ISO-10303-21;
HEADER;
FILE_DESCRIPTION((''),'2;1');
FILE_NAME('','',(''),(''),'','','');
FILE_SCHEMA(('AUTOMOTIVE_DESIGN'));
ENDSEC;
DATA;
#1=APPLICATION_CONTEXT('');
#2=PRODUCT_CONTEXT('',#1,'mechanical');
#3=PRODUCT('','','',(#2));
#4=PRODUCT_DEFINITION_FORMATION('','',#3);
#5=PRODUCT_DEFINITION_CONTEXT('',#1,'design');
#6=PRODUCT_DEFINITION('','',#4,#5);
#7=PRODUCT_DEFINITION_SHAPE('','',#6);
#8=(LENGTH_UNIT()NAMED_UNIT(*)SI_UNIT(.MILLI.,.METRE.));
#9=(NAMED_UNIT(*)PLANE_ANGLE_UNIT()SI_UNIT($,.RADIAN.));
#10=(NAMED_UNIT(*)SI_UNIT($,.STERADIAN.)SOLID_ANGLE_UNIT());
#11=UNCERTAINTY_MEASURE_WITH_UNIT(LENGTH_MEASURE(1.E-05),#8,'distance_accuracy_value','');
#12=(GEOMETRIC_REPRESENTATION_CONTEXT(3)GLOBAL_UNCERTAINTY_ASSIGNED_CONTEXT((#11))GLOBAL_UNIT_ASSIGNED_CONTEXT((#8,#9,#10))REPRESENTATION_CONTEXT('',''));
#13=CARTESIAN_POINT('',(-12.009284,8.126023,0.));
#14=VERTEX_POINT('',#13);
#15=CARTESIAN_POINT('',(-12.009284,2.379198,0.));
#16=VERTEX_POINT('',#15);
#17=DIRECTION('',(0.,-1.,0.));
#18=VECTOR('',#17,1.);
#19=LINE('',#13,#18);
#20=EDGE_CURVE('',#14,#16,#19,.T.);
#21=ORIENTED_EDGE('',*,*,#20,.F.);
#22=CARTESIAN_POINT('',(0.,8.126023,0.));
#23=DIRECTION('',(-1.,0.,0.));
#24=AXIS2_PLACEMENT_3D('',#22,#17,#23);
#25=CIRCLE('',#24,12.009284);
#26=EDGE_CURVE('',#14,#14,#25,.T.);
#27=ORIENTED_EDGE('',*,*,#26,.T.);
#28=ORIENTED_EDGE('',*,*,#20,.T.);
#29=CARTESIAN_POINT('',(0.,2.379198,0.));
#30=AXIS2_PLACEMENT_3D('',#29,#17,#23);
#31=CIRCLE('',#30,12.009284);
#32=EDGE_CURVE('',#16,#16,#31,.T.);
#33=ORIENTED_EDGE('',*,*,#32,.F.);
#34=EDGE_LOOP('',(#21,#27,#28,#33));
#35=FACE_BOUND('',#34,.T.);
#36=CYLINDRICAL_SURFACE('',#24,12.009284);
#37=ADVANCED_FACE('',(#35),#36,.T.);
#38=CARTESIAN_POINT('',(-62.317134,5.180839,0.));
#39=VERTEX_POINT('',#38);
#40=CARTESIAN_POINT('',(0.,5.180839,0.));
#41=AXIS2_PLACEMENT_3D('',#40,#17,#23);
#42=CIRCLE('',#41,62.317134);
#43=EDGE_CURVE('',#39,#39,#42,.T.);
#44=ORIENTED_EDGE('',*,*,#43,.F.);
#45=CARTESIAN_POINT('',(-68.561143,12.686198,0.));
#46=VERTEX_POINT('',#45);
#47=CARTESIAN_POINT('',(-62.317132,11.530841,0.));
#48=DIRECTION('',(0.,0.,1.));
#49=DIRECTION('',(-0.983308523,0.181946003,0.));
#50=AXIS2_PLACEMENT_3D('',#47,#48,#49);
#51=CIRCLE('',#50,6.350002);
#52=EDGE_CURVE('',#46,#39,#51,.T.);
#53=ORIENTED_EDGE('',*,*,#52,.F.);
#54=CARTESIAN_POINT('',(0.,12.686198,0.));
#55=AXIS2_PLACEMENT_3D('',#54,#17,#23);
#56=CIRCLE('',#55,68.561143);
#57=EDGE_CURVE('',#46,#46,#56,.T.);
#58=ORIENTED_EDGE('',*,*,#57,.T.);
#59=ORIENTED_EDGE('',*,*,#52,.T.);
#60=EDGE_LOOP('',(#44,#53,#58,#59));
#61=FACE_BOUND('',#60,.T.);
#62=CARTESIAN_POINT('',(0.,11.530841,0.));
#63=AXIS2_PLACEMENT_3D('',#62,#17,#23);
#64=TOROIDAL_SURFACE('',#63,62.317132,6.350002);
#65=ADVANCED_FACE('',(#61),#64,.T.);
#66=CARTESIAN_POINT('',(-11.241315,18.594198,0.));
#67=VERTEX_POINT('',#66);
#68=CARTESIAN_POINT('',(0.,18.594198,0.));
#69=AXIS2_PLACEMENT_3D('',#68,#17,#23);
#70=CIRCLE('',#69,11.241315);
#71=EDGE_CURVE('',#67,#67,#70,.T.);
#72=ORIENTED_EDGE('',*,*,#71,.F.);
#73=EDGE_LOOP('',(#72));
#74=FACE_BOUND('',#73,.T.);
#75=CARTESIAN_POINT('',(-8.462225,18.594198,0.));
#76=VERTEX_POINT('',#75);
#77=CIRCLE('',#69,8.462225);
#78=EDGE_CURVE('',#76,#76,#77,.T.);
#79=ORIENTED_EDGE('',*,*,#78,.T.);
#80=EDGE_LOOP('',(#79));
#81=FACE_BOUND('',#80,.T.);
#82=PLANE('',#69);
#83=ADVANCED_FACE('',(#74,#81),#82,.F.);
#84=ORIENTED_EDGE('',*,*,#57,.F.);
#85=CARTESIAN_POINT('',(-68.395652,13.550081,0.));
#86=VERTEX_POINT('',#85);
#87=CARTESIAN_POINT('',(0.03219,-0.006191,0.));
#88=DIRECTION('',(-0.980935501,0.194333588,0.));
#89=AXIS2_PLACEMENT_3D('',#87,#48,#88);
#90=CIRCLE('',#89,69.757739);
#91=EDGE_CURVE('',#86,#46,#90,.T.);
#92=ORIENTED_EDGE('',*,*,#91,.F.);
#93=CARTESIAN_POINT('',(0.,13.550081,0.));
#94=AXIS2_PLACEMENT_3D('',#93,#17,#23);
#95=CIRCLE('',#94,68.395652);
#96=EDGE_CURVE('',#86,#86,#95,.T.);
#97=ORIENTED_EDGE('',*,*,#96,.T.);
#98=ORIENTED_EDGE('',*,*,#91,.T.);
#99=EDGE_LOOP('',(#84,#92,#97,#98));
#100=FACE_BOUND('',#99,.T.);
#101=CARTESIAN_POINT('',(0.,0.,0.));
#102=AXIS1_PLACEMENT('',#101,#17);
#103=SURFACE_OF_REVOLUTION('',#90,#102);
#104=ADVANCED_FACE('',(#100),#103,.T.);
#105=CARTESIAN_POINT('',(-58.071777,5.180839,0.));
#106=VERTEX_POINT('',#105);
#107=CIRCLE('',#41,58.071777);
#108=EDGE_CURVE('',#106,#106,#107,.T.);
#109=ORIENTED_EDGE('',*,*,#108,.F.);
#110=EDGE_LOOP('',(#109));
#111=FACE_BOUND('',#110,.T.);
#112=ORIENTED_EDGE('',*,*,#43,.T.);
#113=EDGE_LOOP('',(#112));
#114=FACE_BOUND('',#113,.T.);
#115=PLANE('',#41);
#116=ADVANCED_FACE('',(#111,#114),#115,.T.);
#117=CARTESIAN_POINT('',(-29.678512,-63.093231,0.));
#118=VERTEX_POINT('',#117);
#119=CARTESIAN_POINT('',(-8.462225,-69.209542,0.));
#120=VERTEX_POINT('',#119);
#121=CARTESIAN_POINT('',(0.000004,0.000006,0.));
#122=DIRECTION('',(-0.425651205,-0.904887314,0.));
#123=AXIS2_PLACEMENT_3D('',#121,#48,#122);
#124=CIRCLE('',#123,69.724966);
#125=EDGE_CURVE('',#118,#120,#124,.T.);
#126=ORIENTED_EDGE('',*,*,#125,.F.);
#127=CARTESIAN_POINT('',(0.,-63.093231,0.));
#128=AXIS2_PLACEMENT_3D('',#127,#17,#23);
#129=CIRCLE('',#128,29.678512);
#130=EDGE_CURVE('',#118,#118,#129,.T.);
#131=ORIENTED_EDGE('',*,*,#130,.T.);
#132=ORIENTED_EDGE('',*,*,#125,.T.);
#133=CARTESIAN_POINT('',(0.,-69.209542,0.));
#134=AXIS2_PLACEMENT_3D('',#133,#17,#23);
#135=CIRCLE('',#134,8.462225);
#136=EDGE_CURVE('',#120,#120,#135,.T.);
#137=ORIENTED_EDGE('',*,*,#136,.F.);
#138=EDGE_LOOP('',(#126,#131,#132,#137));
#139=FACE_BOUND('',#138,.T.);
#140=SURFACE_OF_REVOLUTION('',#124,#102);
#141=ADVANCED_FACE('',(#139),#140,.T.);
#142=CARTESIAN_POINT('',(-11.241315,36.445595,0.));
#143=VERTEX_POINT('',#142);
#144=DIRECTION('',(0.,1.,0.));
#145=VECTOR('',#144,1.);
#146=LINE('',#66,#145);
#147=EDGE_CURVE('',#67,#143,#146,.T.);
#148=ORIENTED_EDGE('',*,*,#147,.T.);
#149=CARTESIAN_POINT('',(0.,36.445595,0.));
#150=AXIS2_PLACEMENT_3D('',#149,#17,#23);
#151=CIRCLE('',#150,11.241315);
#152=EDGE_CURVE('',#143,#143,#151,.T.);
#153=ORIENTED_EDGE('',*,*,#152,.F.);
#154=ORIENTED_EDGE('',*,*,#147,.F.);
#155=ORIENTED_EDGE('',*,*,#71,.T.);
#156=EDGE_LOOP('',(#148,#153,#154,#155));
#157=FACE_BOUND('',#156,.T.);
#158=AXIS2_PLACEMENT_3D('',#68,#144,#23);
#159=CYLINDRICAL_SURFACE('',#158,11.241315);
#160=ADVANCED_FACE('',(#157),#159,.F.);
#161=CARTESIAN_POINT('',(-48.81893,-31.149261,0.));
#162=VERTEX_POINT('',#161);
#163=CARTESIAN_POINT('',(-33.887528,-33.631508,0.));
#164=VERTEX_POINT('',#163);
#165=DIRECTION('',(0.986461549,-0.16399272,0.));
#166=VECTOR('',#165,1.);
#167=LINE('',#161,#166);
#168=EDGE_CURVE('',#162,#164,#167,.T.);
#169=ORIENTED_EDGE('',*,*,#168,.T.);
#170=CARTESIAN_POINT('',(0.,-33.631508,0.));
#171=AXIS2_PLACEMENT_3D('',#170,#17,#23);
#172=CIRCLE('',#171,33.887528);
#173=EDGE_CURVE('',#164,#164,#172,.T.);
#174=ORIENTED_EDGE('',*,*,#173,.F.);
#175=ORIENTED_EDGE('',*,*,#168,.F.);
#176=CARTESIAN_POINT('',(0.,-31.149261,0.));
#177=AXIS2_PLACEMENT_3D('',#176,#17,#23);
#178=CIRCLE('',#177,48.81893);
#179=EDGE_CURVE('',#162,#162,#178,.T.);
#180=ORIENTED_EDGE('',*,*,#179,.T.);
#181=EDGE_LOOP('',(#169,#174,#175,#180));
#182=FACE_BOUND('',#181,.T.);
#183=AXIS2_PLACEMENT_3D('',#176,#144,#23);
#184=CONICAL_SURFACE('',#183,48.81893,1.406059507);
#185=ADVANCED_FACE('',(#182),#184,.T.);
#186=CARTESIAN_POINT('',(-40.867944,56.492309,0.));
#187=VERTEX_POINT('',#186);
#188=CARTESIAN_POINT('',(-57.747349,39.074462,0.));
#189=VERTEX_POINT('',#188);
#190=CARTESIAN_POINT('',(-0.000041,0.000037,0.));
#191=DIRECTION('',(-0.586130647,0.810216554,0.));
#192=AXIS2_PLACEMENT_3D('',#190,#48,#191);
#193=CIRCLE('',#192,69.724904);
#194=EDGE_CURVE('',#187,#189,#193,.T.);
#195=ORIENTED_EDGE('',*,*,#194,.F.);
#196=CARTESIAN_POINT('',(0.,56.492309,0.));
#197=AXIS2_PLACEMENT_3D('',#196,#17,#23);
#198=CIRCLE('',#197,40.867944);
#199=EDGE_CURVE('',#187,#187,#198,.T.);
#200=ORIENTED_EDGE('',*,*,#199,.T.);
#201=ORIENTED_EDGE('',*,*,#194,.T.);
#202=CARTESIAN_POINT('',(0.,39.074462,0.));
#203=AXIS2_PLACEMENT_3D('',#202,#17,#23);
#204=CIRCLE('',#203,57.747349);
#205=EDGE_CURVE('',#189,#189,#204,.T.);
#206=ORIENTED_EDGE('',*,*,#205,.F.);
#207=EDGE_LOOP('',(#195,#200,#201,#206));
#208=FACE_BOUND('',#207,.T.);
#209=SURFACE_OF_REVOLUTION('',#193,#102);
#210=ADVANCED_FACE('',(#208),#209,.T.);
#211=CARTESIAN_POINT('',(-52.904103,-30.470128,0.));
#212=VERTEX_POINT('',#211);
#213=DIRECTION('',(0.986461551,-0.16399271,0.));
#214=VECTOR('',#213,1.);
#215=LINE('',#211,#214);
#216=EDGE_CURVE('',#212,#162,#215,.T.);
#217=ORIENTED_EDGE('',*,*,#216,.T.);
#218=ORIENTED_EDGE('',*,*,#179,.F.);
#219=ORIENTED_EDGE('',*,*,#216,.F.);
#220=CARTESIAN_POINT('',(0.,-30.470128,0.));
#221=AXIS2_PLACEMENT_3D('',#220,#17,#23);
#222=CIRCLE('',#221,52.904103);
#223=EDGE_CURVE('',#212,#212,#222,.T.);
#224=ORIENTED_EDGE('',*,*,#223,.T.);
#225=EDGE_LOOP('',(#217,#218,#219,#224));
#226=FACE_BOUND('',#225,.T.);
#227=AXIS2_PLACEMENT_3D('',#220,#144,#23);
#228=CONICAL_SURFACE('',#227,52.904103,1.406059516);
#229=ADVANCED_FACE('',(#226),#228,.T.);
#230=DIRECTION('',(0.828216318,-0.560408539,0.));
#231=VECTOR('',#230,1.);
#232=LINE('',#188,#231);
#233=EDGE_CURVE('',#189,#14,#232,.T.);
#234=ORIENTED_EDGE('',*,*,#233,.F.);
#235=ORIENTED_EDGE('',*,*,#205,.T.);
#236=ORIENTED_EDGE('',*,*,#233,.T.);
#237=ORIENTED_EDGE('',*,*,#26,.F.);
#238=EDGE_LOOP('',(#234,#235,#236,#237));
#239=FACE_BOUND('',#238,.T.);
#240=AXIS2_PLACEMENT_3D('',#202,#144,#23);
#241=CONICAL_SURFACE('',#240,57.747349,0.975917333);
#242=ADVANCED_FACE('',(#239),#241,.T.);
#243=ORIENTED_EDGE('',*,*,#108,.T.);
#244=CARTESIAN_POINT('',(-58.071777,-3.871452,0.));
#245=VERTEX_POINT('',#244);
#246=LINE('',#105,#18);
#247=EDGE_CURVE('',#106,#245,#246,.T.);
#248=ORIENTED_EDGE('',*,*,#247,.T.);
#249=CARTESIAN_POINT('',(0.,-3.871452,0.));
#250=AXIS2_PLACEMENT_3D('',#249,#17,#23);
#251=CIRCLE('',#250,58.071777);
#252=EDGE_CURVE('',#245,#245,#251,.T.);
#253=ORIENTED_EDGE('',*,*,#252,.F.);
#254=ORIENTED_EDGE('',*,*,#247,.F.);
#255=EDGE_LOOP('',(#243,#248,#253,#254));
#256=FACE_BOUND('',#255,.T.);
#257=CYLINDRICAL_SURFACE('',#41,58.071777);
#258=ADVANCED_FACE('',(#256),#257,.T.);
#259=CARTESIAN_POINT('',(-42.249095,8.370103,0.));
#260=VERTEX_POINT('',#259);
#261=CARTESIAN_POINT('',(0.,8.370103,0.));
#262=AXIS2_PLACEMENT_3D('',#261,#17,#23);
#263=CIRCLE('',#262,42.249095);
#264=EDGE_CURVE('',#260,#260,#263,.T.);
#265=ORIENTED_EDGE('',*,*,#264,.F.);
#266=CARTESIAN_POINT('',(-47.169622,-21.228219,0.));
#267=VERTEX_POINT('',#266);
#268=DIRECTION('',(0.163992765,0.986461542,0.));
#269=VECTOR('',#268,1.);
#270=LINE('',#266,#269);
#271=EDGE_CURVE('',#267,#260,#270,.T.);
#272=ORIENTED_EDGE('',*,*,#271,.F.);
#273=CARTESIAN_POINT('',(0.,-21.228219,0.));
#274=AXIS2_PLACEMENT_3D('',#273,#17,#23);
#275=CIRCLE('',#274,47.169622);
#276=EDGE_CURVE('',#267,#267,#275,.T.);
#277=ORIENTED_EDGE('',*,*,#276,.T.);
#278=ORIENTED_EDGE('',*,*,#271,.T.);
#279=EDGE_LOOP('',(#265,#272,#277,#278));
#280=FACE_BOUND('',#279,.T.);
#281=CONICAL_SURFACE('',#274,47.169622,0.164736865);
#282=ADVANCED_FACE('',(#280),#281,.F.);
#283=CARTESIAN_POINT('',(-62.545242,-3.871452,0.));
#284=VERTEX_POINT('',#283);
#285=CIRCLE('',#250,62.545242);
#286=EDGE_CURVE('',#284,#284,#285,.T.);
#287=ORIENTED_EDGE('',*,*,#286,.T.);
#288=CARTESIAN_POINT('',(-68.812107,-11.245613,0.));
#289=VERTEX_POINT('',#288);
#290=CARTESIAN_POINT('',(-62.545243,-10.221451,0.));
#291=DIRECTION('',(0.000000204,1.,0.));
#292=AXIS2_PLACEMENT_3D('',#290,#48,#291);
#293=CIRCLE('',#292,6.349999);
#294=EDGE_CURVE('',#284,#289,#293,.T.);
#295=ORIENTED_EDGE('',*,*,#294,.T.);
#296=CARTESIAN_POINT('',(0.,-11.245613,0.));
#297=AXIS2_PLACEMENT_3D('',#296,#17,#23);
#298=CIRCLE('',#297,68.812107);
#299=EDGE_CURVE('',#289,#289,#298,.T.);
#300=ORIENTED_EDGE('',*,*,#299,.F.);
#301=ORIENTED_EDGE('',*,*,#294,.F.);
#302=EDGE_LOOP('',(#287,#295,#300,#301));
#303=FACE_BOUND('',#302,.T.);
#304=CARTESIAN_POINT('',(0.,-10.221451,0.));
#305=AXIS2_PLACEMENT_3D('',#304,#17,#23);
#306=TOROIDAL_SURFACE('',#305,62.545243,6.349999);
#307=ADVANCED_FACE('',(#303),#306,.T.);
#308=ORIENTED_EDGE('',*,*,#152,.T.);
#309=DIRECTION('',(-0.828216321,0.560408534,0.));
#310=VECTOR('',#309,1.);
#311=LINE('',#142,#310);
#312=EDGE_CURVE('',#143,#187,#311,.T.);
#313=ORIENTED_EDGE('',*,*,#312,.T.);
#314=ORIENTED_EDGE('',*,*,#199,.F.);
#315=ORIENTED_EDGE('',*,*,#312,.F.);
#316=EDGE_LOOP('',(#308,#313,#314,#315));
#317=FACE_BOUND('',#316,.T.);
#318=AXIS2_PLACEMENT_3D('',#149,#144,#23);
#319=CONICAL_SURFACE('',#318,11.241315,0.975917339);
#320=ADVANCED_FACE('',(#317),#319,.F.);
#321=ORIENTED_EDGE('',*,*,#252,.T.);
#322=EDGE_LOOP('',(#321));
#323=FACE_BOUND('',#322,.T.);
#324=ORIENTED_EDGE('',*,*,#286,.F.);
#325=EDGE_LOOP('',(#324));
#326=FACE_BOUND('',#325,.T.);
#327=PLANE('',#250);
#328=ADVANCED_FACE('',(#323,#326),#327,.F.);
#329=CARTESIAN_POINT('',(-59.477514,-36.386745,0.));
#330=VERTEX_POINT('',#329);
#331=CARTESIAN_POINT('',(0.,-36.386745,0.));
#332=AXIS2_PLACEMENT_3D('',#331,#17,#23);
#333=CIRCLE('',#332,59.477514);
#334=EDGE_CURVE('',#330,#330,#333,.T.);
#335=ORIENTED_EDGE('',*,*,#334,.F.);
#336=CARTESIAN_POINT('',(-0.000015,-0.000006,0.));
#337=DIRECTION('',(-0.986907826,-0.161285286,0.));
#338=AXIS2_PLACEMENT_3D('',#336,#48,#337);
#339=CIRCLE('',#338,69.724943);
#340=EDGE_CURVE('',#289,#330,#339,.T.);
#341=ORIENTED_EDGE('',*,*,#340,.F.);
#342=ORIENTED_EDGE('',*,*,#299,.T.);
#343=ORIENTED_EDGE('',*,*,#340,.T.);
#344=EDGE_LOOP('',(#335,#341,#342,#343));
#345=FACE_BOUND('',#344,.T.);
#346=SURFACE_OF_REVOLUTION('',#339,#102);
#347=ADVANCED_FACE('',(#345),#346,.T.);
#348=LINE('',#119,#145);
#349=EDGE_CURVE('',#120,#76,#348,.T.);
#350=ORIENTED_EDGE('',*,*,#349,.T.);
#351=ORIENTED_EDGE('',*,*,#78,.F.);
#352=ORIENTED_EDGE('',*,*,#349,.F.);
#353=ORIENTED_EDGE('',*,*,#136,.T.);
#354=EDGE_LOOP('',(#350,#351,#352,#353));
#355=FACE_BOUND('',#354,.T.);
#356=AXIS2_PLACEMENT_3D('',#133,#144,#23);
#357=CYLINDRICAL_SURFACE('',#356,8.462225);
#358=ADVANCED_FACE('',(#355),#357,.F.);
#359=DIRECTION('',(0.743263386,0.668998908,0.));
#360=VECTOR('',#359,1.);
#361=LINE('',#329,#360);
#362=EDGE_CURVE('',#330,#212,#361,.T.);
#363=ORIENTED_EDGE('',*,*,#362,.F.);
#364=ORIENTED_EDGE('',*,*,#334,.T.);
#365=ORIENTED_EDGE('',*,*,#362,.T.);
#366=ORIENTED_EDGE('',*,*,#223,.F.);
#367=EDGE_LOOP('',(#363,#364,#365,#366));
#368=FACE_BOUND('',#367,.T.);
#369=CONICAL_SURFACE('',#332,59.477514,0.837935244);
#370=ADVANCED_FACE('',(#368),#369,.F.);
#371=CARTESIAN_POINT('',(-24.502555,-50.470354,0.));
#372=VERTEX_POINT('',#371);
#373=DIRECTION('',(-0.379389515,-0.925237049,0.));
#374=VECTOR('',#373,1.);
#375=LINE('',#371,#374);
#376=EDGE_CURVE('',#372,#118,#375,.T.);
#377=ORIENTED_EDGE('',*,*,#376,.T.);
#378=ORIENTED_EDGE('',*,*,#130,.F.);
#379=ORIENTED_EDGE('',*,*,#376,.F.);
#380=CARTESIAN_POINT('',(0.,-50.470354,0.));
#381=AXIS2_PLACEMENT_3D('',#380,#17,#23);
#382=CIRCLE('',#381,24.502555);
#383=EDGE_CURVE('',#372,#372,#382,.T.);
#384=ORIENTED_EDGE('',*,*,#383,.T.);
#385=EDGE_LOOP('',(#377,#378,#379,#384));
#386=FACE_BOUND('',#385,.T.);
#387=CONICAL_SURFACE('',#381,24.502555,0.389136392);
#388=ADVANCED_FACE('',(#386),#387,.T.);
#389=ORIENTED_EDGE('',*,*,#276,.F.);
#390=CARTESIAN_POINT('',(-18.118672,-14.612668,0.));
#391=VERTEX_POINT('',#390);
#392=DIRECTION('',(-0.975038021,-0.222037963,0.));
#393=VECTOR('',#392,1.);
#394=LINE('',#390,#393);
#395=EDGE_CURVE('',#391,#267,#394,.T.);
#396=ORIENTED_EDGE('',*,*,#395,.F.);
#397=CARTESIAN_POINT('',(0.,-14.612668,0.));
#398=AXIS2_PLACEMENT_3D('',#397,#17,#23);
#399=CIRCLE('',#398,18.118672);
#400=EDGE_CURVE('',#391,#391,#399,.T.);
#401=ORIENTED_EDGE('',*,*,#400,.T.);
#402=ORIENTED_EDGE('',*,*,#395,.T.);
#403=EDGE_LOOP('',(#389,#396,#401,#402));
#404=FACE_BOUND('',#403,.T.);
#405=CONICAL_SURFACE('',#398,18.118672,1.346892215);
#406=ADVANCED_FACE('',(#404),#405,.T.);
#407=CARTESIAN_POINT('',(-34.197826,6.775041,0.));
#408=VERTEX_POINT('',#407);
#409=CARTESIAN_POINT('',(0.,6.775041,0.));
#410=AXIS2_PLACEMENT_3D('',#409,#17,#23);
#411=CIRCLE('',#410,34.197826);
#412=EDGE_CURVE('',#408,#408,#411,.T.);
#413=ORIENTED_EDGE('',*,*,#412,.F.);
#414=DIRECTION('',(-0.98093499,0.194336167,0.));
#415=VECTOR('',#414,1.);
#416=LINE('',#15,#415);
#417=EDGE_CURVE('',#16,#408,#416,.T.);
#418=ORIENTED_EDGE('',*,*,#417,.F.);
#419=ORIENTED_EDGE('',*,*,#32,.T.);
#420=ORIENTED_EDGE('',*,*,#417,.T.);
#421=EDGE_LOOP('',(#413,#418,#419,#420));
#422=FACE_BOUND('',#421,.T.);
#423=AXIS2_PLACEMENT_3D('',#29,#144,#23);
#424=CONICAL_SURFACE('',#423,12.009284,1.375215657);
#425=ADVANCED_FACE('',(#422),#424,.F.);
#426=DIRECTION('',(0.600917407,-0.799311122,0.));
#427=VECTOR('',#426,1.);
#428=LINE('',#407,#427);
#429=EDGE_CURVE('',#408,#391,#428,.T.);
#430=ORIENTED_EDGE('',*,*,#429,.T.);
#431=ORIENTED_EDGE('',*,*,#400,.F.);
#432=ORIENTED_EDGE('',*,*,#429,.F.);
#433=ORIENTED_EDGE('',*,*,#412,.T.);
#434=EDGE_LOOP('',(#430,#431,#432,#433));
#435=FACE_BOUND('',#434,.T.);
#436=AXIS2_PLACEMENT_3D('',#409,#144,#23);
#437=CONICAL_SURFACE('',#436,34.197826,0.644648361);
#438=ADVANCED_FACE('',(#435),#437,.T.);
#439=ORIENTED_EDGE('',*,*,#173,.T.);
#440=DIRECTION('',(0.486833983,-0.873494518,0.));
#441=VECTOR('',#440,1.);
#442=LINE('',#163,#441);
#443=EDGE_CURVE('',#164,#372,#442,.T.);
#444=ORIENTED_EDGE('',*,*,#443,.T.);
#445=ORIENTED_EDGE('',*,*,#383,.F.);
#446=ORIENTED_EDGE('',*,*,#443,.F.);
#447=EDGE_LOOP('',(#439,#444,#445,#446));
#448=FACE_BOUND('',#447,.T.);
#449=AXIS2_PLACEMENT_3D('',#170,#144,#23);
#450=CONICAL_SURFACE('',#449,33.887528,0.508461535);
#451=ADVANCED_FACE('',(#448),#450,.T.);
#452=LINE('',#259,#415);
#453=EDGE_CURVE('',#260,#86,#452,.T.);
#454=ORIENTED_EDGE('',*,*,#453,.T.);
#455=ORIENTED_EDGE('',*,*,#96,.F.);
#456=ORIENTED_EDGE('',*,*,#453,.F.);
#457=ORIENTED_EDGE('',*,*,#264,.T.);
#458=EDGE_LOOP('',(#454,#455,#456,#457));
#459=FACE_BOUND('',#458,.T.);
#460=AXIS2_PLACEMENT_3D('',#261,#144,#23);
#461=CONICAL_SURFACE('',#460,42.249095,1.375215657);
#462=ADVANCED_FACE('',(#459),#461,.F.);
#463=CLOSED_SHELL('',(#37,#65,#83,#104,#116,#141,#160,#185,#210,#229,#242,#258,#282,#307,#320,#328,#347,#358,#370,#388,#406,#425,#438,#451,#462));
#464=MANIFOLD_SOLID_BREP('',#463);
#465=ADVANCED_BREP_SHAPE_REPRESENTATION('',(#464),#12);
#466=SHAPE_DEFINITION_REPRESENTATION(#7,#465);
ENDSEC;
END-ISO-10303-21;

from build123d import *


with BuildPart() as f1:
    # F0 (on Top) → F1 (revolve)
    with BuildSketch(Plane.XY):
        with BuildLine():
            ThreePointArc((-62.545242, -3.871452), (-67.383937, -6.109331), (-68.812107, -11.245613))
            ThreePointArc((-68.812107, -11.245613), (-65.364944, -24.269199), (-59.477514, -36.386745))
            Line((-59.477514, -36.386745), (-52.904103, -30.470128))
            Line((-52.904103, -30.470128), (-48.81893, -31.149261))
            Line((-48.81893, -31.149261), (-33.887528, -33.631508))
            Line((-33.887528, -33.631508), (-24.502555, -50.470354))
            Line((-24.502555, -50.470354), (-29.678512, -63.093231))
            ThreePointArc((-29.678512, -63.093231), (-19.314017, -66.996557), (-8.462225, -69.209542))
            Line((-8.462225, -69.209542), (-8.462225, 18.594198))
            Line((-8.462225, 18.594198), (-11.241315, 18.594198))
            Line((-11.241315, 18.594198), (-11.241315, 36.445595))
            Line((-11.241315, 36.445595), (-40.867944, 56.492309))
            ThreePointArc((-40.867944, 56.492309), (-50.070844, 48.52299), (-57.747349, 39.074462))
            Line((-57.747349, 39.074462), (-12.009284, 8.126023))
            Line((-12.009284, 8.126023), (-12.009284, 2.379198))
            Line((-12.009284, 2.379198), (-34.197826, 6.775041))
            Line((-34.197826, 6.775041), (-18.118672, -14.612668))
            Line((-18.118672, -14.612668), (-47.169622, -21.228219))
            Line((-47.169622, -21.228219), (-42.249095, 8.370103))
            Line((-42.249095, 8.370103), (-68.395652, 13.550081))
            ThreePointArc((-68.395652, 13.550081), (-68.479759, 13.118401), (-68.561143, 12.686198))
            ThreePointArc((-68.561143, 12.686198), (-67.198682, 7.469684), (-62.317134, 5.180839))
            Line((-62.317134, 5.180839), (-58.071777, 5.180839))
            Line((-58.071777, 5.180839), (-58.071777, -3.871452))
            Line((-58.071777, -3.871452), (-62.545242, -3.871452))
        make_face()
    revolve(axis=Axis((0, 0, 0), (0, -1, 0)))


solid = f1.part
